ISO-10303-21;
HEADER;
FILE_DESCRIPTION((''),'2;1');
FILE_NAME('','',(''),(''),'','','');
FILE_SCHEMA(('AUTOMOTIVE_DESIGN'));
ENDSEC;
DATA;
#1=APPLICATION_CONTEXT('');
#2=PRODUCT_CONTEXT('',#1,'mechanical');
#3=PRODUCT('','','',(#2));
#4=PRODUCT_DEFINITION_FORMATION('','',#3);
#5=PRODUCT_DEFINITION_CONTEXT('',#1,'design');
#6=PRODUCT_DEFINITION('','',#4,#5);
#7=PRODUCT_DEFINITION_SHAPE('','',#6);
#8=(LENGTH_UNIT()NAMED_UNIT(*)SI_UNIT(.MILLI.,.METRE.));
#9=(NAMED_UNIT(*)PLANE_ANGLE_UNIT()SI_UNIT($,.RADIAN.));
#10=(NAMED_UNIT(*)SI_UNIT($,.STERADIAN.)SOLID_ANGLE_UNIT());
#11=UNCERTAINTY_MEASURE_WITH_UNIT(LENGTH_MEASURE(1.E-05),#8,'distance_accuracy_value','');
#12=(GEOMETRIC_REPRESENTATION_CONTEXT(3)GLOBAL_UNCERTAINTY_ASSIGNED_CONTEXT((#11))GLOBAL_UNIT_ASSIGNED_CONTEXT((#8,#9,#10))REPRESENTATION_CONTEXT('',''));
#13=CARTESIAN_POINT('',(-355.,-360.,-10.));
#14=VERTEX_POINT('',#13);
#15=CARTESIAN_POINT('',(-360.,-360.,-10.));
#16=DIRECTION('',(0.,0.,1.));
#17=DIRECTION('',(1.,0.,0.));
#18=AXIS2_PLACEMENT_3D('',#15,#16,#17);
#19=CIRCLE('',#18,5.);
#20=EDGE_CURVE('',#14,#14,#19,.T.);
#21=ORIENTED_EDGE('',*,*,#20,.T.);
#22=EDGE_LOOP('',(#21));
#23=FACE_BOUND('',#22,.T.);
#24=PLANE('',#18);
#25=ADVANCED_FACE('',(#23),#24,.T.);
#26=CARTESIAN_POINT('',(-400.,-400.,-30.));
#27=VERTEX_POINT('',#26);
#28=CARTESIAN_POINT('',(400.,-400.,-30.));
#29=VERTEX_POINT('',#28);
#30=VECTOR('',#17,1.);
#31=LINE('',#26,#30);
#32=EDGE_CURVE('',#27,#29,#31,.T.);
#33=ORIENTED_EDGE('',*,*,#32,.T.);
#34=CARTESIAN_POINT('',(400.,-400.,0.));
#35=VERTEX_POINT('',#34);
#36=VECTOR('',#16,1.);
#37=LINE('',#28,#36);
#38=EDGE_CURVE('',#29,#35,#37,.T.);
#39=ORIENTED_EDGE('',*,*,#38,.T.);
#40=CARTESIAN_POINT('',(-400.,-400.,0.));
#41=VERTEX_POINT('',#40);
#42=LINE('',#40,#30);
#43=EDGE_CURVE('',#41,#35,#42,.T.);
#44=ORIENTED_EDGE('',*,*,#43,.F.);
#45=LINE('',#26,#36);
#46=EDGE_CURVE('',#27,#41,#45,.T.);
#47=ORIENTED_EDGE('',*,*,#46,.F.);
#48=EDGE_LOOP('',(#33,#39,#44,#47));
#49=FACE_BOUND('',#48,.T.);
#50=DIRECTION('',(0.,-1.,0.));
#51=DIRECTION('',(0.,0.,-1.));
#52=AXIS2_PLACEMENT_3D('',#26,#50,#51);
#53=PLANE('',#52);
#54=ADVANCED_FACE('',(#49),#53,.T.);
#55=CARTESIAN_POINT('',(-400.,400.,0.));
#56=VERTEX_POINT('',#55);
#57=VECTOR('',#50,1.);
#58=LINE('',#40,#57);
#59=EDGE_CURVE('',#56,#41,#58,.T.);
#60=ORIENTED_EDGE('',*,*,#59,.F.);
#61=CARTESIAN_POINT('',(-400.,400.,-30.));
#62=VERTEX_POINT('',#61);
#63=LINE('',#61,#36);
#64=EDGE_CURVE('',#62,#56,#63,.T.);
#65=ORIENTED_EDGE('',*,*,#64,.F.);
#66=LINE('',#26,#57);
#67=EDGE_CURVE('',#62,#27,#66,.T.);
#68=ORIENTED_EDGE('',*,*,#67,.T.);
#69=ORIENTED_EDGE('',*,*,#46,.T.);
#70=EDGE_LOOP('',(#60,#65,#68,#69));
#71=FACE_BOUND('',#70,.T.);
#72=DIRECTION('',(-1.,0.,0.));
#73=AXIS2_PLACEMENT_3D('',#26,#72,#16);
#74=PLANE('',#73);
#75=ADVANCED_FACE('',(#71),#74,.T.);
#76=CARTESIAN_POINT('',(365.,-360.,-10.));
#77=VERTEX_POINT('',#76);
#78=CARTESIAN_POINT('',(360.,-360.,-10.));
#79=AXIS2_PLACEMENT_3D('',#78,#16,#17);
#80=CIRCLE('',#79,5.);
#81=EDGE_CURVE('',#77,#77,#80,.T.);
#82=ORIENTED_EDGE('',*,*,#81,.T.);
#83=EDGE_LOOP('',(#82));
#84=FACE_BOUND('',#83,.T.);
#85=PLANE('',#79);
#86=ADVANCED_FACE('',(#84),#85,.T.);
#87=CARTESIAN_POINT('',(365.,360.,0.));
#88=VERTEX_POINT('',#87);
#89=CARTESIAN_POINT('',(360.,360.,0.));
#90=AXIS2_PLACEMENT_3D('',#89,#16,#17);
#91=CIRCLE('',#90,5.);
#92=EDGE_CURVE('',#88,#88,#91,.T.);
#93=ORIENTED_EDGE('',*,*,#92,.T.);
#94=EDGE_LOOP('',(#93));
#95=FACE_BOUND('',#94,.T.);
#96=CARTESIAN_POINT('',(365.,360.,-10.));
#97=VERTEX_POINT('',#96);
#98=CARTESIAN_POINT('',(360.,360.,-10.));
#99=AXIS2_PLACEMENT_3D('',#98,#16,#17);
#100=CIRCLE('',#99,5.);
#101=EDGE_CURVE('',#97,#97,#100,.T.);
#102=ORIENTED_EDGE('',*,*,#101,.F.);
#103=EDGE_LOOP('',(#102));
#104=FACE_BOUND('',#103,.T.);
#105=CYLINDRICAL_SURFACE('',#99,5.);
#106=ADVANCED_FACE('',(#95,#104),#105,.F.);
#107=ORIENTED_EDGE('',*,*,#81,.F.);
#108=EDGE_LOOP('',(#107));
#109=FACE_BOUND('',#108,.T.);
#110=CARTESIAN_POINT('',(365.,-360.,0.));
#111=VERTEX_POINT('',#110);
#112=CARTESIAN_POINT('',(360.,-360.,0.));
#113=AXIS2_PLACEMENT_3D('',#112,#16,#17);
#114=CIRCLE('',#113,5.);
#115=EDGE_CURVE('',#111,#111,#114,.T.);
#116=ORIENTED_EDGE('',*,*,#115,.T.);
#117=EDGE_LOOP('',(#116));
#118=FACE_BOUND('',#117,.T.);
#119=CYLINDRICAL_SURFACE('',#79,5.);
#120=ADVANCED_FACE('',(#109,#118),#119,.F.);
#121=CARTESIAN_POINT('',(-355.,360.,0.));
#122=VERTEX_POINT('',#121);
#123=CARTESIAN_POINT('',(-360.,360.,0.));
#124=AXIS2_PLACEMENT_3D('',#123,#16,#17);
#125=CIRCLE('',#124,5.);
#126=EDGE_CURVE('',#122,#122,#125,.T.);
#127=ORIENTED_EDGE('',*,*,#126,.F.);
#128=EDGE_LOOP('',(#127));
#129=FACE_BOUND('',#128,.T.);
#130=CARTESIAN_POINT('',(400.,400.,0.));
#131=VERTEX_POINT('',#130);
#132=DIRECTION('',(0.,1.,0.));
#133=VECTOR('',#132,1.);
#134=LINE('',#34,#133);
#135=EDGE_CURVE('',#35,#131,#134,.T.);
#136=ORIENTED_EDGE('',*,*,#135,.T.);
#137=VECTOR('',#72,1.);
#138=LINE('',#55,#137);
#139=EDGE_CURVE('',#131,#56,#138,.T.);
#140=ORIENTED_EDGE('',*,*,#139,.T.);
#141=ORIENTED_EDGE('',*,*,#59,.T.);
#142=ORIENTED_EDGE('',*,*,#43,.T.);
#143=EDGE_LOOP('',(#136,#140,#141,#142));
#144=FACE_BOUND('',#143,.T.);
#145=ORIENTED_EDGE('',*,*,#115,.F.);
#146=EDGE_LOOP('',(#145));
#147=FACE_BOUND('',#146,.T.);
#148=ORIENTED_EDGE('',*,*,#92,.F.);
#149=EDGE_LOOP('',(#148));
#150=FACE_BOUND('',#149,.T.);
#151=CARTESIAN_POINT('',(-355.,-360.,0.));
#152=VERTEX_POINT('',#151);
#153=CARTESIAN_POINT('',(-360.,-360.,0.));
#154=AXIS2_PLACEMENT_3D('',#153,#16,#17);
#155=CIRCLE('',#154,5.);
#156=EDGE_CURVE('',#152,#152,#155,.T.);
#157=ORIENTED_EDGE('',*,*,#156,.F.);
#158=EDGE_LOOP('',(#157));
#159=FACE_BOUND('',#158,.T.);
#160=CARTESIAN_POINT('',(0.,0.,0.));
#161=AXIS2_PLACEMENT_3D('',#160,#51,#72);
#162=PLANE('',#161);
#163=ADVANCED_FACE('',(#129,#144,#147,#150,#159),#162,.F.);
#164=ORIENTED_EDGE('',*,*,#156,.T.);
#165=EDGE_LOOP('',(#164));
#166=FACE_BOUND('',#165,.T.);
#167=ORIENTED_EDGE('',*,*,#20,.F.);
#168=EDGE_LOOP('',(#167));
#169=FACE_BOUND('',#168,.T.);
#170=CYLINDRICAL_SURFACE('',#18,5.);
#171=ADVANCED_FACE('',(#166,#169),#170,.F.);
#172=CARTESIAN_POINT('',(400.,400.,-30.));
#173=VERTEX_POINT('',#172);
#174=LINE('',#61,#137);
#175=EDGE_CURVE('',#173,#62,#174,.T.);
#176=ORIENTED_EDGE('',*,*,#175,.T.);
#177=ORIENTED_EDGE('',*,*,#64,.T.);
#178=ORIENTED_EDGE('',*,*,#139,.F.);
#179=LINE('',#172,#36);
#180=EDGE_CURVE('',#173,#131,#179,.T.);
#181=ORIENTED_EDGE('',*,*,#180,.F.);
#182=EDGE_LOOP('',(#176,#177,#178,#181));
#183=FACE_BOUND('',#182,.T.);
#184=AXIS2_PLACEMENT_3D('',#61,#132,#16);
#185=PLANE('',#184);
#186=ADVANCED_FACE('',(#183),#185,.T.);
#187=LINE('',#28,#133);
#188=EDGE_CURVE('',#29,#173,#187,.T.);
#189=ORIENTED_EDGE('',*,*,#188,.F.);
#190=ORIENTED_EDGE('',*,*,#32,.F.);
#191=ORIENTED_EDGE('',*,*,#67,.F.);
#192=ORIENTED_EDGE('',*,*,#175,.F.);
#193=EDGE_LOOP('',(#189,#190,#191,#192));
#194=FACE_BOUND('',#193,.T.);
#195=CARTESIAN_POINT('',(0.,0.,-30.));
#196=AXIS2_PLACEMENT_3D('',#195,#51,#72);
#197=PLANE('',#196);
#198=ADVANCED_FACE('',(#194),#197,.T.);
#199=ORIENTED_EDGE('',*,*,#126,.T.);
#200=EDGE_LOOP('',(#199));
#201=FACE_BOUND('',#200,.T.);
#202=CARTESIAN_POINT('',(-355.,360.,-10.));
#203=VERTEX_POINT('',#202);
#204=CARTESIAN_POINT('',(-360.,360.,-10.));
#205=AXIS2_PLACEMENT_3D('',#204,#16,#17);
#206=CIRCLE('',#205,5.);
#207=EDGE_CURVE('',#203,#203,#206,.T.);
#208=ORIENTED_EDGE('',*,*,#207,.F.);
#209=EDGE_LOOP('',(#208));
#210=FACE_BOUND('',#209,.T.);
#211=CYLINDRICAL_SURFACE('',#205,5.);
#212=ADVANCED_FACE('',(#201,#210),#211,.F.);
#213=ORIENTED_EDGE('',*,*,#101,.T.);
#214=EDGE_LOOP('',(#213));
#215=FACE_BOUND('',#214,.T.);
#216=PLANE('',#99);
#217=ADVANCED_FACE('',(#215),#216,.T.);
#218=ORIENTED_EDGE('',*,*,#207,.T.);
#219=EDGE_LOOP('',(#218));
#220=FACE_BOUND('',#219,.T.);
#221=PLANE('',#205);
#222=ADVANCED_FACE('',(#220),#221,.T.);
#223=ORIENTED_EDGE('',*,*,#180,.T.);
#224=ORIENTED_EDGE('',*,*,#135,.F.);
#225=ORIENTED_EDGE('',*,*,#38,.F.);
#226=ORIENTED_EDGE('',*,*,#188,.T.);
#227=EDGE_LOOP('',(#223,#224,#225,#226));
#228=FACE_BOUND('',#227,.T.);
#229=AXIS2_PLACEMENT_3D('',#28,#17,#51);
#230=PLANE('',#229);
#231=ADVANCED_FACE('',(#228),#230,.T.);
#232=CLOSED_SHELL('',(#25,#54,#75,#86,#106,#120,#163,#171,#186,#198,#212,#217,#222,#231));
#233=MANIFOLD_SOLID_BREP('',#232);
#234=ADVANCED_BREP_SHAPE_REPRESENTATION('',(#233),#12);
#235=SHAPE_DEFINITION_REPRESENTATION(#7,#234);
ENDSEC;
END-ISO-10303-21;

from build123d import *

# Parameters (mm, degrees)
SKETCH1_W           = 800
SKETCH1_H           = 800
BOSS_EXTRUDE1_DEPTH = 30
SKETCH2_R           = 5
CUT_EXTRUDE1_DEPTH  = 10
SKETCH4_R           = 5
CUT_EXTRUDE2_DEPTH  = 10
SKETCH6_R           = 5
CUT_EXTRUDE3_DEPTH  = 10
SKETCH8_R           = 5
CUT_EXTRUDE4_DEPTH  = 10


with BuildPart() as part:
    # Sketch1 → Boss-Extrude1 (new body)
    with BuildSketch(Plane.XY):
        Rectangle(SKETCH1_W, SKETCH1_H)
    extrude(amount=-BOSS_EXTRUDE1_DEPTH)

    # Sketch2 → Cut-Extrude1 (cut)
    with BuildSketch(Plane.XY):
        with Locations((360, 360)):
            Circle(SKETCH2_R)
    extrude(amount=-CUT_EXTRUDE1_DEPTH, mode=Mode.SUBTRACT)

    # Sketch4 → Cut-Extrude2 (cut)
    with BuildSketch(Plane.XY):
        with Locations((-360, 360)):
            Circle(SKETCH4_R)
    extrude(amount=-CUT_EXTRUDE2_DEPTH, mode=Mode.SUBTRACT)

    # Sketch6 → Cut-Extrude3 (cut)
    with BuildSketch(Plane.XY):
        with Locations((-360, -360)):
            Circle(SKETCH6_R)
    extrude(amount=-CUT_EXTRUDE3_DEPTH, mode=Mode.SUBTRACT)

    # Sketch8 → Cut-Extrude4 (cut)
    with BuildSketch(Plane.XY):
        with Locations((360, -360)):
            Circle(SKETCH8_R)
    extrude(amount=-CUT_EXTRUDE4_DEPTH, mode=Mode.SUBTRACT)


solid = part.part
